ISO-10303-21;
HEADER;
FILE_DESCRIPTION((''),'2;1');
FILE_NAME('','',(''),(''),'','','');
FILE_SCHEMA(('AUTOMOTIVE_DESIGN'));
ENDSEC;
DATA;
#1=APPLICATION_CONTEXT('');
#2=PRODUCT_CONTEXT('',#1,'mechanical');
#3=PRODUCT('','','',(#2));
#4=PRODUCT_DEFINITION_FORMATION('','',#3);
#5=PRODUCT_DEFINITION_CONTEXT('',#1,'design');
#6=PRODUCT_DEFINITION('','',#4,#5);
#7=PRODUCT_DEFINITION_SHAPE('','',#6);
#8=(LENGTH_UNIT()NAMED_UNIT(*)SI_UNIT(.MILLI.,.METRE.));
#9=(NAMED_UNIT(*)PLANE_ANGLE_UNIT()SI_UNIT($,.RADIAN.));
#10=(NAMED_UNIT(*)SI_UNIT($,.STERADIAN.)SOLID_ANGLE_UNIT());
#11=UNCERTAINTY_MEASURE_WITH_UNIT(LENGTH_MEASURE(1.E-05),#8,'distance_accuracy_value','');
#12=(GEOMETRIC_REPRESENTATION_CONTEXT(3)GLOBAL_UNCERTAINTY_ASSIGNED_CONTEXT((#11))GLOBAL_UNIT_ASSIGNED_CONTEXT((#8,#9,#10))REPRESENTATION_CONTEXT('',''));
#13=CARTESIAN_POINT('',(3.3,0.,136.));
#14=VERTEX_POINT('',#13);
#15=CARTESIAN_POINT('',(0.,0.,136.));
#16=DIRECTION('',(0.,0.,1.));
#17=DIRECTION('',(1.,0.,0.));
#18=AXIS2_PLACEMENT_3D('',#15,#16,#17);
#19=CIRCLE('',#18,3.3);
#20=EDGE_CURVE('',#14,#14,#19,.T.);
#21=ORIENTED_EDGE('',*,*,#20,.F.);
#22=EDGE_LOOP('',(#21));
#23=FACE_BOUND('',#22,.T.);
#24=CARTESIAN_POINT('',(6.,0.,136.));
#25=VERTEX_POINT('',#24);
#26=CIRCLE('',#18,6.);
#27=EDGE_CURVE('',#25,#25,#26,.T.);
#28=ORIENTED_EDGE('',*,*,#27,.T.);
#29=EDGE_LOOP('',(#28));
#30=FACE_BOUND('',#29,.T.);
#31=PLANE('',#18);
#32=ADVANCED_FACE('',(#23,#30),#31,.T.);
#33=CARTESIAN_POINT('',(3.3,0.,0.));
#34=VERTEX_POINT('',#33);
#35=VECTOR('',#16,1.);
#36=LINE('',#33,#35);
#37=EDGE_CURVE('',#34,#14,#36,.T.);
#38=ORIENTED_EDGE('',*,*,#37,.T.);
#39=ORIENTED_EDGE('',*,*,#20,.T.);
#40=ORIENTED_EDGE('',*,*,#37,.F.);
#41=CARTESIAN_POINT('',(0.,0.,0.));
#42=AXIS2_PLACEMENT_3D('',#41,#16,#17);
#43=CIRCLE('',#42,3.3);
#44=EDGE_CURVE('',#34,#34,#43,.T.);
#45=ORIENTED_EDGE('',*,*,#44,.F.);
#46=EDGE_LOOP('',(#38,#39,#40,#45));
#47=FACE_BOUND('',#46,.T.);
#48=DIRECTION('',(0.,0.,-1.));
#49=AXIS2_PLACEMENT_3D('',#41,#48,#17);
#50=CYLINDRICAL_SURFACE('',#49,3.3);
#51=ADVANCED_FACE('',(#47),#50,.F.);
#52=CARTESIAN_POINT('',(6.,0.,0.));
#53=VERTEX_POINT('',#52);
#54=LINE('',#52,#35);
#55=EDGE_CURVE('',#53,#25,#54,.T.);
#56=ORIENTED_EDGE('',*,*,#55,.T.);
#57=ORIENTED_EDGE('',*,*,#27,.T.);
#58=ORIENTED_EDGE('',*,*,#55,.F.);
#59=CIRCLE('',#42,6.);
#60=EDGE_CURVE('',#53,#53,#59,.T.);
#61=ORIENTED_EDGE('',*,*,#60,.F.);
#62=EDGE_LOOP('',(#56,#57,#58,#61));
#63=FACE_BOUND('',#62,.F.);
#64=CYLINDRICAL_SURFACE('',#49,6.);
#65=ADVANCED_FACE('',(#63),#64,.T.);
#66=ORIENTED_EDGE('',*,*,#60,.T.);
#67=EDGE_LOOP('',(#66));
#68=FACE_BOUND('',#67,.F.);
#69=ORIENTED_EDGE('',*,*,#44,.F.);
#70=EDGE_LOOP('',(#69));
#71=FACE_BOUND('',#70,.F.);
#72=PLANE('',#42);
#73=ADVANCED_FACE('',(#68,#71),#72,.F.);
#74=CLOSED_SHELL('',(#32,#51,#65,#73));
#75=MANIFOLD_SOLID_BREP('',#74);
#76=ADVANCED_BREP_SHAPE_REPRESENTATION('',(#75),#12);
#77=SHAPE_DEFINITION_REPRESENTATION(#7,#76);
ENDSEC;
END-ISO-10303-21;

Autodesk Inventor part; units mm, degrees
ref_plane "YZ Plane" through (0, 0, 0) normal (1, 0, 0) x (0, 1, 0)
ref_plane "XZ Plane" through (0, 0, 0) normal (0, 1, 0) x (-1, 0, 0)
ref_plane "XY Plane" through (0, 0, 0) normal (0, 0, 1) x (1, 0, 0)
sketch "Sketch1" plane through (0, 0, 0) normal (0, 0, 1) x (1, 0, 0)
  circle A0 centre (0, 0) radius 6
  circle A1 centre (0, 0) radius 3.3
  dimension "d0" = 12
  dimension "d1" = 6.6
extrude "Extrusion1" add sketch "Sketch1" along normal blind 136
properties part number "342-03" material "Titanium"
